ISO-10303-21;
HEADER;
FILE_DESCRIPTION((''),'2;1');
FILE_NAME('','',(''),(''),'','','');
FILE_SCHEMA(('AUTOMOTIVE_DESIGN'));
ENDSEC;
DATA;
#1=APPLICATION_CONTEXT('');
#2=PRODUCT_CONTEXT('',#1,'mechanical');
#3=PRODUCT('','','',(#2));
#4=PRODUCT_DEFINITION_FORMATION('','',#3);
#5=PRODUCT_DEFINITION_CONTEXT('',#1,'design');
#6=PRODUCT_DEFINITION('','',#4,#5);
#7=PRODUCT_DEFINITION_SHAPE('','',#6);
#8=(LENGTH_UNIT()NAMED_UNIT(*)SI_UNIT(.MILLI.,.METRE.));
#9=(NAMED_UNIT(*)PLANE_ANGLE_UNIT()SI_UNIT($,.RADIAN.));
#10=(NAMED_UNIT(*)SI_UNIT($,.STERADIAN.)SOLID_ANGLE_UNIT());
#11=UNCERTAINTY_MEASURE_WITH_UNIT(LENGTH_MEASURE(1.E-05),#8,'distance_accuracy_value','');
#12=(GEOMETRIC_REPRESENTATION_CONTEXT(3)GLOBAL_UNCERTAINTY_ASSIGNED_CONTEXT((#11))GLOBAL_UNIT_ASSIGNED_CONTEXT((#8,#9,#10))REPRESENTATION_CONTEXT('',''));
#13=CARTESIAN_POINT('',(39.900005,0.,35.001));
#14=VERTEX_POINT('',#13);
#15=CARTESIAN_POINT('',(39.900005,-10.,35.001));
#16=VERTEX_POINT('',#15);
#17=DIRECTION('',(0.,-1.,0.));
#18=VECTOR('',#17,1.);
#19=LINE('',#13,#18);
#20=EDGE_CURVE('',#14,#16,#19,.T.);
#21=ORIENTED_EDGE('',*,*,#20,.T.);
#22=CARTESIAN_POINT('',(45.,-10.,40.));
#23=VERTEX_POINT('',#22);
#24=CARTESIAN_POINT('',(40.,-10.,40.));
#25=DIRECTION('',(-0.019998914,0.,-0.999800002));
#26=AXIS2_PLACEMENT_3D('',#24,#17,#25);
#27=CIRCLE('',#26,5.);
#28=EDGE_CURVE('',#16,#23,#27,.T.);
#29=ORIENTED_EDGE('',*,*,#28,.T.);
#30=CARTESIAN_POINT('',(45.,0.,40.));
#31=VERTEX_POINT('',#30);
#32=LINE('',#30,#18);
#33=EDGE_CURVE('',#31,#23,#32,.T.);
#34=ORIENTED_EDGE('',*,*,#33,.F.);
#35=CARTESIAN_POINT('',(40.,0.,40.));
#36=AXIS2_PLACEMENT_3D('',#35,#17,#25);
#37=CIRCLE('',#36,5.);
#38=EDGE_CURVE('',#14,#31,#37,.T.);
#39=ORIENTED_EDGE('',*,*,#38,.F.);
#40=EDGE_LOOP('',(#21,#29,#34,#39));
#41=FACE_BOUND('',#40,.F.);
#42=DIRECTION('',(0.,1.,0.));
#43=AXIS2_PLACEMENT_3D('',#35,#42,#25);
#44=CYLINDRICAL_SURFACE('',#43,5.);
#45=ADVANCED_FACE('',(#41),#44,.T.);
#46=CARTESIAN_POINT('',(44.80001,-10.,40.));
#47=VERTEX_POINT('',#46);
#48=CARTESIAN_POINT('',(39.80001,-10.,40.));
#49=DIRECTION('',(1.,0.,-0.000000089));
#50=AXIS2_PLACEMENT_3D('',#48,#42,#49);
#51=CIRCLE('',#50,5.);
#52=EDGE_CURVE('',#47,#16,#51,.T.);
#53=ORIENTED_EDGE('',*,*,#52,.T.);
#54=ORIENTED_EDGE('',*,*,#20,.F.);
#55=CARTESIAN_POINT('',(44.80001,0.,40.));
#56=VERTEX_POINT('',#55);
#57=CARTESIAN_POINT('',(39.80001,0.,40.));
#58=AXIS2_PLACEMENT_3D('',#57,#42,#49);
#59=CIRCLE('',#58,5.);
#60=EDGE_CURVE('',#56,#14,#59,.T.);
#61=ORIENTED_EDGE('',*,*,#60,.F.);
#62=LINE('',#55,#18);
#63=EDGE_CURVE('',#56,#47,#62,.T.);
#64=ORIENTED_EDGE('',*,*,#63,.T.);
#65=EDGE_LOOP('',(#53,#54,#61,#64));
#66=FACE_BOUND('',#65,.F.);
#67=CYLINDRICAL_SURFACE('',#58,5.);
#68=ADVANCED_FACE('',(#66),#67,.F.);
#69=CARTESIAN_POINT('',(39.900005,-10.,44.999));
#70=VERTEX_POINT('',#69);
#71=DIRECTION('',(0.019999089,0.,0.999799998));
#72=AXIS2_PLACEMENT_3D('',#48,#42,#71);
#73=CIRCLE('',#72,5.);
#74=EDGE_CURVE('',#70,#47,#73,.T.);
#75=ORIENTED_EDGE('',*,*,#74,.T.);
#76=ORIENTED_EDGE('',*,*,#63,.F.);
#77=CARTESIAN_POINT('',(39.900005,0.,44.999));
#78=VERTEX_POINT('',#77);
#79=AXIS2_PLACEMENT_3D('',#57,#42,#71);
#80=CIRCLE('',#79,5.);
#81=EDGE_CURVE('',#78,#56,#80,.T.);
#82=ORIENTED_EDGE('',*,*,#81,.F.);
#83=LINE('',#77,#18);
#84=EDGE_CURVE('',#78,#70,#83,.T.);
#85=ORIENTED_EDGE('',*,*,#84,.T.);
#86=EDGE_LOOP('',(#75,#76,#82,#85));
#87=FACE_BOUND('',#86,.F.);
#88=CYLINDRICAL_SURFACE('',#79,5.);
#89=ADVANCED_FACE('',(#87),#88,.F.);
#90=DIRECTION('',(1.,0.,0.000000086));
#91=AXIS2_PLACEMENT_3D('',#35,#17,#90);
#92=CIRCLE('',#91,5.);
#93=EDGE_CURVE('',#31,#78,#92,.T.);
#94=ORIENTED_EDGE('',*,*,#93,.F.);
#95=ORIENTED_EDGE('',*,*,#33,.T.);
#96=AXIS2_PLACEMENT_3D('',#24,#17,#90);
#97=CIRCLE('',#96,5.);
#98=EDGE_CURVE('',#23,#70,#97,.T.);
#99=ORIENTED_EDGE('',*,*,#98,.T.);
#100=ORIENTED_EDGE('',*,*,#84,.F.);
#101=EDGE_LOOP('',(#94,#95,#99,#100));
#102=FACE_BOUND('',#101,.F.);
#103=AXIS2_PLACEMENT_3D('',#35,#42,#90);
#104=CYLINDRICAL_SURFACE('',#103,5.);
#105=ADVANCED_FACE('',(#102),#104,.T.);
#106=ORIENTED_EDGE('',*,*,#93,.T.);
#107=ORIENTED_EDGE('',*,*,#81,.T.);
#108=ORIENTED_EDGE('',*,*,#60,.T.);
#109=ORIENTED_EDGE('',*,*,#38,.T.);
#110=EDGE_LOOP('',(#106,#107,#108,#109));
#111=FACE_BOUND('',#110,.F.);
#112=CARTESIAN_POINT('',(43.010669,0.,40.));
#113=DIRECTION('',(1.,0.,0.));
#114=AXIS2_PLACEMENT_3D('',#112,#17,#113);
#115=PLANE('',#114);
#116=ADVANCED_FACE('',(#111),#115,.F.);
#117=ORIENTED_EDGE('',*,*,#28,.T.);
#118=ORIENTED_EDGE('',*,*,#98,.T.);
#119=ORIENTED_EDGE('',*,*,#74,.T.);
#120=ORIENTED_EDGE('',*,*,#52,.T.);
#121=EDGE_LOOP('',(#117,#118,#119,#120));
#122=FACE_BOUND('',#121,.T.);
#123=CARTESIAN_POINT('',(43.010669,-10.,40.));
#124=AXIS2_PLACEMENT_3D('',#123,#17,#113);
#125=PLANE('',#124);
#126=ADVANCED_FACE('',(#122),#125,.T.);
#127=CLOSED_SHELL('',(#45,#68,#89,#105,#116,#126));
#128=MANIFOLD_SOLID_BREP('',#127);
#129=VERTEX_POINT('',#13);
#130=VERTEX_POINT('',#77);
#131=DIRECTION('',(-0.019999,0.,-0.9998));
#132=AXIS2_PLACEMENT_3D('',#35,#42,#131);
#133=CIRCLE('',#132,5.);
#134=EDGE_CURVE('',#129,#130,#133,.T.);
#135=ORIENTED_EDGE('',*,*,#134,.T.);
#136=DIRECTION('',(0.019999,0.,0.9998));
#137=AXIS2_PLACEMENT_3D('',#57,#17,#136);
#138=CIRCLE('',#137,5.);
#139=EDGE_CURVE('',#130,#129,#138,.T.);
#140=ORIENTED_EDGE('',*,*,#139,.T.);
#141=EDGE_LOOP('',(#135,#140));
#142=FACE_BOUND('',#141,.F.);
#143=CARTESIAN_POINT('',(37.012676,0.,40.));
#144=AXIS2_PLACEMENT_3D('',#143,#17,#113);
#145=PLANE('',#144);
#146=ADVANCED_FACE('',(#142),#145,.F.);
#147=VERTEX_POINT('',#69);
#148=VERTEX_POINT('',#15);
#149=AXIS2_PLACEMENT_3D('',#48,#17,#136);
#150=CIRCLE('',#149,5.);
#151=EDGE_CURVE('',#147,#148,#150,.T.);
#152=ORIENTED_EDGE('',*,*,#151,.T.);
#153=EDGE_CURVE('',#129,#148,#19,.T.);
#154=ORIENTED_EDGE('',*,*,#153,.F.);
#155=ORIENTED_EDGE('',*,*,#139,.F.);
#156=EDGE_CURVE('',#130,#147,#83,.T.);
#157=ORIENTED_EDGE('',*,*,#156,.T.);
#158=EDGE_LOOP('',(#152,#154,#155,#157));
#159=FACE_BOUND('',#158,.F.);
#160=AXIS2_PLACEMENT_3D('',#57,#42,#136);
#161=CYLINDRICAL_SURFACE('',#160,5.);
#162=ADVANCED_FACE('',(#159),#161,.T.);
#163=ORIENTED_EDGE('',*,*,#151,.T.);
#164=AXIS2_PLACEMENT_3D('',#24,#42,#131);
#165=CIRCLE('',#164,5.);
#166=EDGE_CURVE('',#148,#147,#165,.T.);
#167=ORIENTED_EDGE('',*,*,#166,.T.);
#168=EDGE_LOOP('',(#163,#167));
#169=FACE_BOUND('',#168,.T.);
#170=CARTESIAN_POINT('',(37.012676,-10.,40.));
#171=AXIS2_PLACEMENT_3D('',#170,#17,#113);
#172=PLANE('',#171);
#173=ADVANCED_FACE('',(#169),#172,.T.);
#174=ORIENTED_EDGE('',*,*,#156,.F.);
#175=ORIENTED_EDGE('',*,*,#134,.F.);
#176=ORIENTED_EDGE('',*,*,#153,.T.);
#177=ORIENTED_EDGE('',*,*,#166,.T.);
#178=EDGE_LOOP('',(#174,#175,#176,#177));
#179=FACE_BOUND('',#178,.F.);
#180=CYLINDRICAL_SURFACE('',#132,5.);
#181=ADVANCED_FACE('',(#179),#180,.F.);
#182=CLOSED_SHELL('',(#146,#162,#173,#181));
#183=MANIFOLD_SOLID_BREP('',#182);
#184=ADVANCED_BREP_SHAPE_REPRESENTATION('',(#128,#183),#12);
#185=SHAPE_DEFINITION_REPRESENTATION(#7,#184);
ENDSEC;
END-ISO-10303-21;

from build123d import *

# Parameters (mm, degrees)
F1_DEPTH = 10


with BuildPart() as f1:
    # F0 (on Front) → F1 (new body)
    with BuildSketch(Plane.XZ):
        with BuildLine():
            ThreePointArc((39.900005, 44.999), (43.370722, 43.500002), (44.80001, 40))
            ThreePointArc((44.80001, 40), (43.370722, 36.499998), (39.900005, 35.001))
            ThreePointArc((39.900005, 35.001), (43.500002, 36.429288), (45, 40))
            ThreePointArc((45, 40), (43.500002, 43.570712), (39.900005, 44.999))
        make_face()
        with BuildLine():
            ThreePointArc((39.900005, 35.001), (35, 40), (39.900005, 44.999))
            ThreePointArc((39.900005, 44.999), (34.80001, 40), (39.900005, 35.001))
        make_face()
    extrude(amount=F1_DEPTH)


solid = f1.part
